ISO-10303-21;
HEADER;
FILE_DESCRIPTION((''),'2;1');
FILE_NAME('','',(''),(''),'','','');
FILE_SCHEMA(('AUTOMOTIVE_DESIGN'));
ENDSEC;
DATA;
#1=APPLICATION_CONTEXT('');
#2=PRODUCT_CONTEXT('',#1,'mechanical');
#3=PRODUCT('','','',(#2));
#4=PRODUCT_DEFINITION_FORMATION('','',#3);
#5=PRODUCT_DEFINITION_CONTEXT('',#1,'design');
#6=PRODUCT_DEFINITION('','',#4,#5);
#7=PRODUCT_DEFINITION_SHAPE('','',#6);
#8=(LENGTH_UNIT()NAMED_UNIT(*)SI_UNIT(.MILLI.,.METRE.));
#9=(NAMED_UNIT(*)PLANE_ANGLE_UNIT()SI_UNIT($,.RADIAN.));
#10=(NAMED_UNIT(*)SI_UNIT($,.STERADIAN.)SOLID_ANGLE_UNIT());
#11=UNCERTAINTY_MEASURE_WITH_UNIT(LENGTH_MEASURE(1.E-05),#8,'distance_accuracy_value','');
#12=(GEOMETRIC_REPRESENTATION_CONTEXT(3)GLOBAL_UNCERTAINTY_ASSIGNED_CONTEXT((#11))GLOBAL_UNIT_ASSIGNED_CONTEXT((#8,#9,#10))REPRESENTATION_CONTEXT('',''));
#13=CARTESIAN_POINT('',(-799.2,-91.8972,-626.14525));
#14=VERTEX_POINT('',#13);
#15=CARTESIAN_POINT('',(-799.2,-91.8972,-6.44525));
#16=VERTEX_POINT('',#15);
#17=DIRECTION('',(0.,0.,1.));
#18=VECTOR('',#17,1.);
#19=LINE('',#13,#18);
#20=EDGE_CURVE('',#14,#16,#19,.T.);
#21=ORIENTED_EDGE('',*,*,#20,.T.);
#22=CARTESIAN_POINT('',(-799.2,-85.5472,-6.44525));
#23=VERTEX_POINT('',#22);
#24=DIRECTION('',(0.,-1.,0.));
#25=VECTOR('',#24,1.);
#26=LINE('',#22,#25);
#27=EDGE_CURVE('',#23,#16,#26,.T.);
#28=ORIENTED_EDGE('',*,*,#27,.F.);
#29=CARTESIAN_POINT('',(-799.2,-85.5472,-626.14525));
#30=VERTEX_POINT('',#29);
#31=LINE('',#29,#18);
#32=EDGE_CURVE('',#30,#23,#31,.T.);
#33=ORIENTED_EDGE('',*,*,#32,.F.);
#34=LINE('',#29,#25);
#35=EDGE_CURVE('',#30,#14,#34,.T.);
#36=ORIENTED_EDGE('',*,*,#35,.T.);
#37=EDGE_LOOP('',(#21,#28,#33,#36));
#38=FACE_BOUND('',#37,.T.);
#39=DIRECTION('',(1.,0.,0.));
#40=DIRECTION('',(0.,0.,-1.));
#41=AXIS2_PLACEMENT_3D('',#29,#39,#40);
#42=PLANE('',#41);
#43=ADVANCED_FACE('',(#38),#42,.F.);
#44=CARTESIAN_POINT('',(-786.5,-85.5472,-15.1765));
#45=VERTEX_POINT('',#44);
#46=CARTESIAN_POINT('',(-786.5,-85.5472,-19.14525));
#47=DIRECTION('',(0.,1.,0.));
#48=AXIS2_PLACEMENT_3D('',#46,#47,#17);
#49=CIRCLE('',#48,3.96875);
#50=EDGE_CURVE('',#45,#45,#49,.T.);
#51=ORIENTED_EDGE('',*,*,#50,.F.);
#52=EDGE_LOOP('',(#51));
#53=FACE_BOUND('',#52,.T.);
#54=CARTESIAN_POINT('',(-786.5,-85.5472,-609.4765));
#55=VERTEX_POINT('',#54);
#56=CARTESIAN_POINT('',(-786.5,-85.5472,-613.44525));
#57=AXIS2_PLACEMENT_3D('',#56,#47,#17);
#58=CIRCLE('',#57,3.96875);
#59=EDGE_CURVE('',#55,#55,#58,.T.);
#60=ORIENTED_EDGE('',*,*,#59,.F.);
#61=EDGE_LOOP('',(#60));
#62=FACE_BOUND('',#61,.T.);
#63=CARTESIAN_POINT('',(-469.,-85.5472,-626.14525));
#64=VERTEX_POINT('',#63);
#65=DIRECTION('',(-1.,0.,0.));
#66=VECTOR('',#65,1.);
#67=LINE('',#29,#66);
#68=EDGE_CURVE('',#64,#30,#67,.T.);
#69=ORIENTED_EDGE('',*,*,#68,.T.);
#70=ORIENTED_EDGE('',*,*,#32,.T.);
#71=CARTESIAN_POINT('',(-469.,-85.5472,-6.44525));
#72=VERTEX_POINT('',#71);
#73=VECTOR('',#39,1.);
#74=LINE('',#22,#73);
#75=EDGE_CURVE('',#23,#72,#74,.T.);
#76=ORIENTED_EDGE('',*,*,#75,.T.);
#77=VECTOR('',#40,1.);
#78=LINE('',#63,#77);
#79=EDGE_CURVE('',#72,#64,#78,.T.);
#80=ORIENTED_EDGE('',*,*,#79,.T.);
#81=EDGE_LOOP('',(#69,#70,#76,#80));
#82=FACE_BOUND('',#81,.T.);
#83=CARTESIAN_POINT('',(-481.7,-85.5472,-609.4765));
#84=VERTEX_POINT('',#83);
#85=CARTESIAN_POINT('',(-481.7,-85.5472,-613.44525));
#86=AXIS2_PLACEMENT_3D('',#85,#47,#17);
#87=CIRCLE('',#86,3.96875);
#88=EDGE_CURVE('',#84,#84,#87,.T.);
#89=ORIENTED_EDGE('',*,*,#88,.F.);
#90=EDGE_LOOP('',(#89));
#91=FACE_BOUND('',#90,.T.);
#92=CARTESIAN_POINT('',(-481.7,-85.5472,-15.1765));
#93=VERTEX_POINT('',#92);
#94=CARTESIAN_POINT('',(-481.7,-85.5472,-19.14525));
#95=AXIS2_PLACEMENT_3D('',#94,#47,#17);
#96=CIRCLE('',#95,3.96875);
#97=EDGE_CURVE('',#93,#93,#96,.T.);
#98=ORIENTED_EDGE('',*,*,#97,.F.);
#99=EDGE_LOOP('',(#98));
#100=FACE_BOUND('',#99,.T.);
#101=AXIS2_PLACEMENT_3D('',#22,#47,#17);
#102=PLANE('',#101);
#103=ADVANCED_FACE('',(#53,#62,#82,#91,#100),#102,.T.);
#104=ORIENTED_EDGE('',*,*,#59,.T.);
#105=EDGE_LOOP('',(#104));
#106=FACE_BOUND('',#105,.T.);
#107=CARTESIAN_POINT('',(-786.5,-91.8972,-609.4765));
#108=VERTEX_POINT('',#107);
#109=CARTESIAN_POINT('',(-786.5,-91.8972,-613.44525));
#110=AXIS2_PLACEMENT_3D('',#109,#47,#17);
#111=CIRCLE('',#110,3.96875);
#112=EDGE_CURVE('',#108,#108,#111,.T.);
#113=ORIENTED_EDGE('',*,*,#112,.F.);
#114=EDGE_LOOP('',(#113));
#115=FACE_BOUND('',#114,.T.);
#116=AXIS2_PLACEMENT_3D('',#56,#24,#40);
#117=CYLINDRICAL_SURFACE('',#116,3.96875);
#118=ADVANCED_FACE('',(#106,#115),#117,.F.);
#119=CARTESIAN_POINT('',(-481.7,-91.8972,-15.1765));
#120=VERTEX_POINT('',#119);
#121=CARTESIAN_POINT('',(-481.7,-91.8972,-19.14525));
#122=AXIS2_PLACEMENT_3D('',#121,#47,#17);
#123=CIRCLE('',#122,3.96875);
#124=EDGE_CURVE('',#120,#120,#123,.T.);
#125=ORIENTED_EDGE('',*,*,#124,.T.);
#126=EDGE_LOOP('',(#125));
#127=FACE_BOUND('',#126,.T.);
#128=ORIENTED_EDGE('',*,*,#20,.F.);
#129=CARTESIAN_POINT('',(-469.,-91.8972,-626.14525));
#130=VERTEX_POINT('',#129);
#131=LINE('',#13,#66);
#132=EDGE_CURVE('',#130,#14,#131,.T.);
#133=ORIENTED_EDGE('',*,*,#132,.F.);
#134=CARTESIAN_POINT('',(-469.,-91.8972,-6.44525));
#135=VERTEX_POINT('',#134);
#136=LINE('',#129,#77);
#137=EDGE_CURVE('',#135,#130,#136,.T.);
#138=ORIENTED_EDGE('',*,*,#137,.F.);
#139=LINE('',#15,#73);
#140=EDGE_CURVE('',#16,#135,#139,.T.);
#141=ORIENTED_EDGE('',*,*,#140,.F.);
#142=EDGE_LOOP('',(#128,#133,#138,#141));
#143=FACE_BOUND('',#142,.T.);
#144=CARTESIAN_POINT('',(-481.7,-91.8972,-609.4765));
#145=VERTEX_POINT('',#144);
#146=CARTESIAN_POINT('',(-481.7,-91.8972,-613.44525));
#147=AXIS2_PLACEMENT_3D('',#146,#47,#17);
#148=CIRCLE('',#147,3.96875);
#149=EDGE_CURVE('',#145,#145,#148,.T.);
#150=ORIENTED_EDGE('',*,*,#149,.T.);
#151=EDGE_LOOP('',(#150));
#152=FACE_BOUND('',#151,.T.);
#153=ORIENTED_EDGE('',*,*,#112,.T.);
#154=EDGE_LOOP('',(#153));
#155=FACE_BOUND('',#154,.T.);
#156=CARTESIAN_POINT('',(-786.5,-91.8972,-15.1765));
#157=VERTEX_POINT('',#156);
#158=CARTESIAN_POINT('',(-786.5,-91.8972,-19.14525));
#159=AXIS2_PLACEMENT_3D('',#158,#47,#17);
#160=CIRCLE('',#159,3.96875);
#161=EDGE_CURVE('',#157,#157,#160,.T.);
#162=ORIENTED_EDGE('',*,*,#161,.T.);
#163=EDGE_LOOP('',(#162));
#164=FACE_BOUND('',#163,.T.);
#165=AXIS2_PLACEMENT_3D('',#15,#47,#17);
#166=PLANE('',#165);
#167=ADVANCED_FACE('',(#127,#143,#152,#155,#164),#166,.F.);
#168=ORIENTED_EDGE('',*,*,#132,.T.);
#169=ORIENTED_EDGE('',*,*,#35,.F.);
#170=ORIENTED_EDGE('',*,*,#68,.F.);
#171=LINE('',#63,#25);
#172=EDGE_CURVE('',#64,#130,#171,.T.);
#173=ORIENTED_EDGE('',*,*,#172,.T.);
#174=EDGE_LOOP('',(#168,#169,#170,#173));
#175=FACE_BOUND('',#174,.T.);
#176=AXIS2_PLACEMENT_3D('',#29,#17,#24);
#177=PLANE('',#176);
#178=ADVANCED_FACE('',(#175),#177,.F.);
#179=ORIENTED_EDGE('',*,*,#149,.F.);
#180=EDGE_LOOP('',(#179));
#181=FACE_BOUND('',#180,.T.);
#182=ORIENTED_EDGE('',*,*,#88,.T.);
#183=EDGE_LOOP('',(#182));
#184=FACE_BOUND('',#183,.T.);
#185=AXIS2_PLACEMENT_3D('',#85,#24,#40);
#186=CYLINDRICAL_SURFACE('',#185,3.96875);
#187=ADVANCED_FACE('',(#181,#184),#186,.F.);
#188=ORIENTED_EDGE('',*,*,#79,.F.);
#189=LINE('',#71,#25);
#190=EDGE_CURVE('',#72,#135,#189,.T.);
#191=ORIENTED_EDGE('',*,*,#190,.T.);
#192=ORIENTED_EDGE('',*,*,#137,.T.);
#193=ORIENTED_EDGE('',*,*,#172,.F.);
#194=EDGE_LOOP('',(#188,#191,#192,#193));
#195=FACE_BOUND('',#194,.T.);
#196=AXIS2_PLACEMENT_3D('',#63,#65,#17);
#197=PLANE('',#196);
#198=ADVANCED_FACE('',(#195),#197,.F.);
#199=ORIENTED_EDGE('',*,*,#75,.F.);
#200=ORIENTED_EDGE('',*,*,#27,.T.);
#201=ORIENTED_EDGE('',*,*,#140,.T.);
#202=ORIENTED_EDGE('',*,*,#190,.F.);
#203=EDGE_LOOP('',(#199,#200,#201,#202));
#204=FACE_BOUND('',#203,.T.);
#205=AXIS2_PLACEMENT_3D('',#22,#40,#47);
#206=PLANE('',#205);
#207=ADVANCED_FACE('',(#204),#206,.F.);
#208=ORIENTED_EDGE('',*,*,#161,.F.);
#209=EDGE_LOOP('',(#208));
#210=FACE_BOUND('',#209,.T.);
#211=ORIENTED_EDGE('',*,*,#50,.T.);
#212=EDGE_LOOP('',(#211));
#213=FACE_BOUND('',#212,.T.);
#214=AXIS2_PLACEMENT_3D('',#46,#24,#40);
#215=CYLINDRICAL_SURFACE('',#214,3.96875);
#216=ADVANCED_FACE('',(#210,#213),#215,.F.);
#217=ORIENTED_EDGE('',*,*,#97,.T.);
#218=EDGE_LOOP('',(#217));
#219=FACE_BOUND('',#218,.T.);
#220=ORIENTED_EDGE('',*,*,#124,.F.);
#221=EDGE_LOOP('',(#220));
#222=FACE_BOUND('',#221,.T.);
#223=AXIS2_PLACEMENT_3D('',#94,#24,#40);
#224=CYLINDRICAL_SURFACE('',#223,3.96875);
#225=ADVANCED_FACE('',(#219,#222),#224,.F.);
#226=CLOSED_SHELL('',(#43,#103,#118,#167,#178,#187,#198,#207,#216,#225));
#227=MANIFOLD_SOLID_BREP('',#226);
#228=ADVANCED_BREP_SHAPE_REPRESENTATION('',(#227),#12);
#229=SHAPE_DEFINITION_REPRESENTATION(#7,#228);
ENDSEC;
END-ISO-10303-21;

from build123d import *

# Parameters (mm, degrees)
SKETCH1_W           = 330.200000004
SKETCH1_H           = 619.700000498
SKETCH1_R           = 3.96875
BOSS_EXTRUDE1_DEPTH = 6.35


with BuildPart() as part:
    # Sketch1 → Boss-Extrude1 (new body)
    with BuildSketch(Plane(origin=(0, -91.897200465, 0), x_dir=(1, 0, 0), z_dir=(0, 1, 0))):
        with Locations((-634.09999992, 316.295249784)):
            Rectangle(SKETCH1_W, SKETCH1_H)
        with Locations(Location((-481.699999947, 613.44525004, 0), (0, 0, 270))):
            Circle(SKETCH1_R, mode=Mode.SUBTRACT)
        with Locations(Location((-786.499999947, 613.445250033, 0), (0, 0, 270))):
            Circle(SKETCH1_R, mode=Mode.SUBTRACT)
        with Locations(Location((-786.499999922, 19.145249535, 0), (0, 0, 270))):
            Circle(SKETCH1_R, mode=Mode.SUBTRACT)
        with Locations(Location((-481.699999918, 19.14525, 0), (0, 0, 270))):
            Circle(SKETCH1_R, mode=Mode.SUBTRACT)
    extrude(amount=BOSS_EXTRUDE1_DEPTH)


solid = part.part
